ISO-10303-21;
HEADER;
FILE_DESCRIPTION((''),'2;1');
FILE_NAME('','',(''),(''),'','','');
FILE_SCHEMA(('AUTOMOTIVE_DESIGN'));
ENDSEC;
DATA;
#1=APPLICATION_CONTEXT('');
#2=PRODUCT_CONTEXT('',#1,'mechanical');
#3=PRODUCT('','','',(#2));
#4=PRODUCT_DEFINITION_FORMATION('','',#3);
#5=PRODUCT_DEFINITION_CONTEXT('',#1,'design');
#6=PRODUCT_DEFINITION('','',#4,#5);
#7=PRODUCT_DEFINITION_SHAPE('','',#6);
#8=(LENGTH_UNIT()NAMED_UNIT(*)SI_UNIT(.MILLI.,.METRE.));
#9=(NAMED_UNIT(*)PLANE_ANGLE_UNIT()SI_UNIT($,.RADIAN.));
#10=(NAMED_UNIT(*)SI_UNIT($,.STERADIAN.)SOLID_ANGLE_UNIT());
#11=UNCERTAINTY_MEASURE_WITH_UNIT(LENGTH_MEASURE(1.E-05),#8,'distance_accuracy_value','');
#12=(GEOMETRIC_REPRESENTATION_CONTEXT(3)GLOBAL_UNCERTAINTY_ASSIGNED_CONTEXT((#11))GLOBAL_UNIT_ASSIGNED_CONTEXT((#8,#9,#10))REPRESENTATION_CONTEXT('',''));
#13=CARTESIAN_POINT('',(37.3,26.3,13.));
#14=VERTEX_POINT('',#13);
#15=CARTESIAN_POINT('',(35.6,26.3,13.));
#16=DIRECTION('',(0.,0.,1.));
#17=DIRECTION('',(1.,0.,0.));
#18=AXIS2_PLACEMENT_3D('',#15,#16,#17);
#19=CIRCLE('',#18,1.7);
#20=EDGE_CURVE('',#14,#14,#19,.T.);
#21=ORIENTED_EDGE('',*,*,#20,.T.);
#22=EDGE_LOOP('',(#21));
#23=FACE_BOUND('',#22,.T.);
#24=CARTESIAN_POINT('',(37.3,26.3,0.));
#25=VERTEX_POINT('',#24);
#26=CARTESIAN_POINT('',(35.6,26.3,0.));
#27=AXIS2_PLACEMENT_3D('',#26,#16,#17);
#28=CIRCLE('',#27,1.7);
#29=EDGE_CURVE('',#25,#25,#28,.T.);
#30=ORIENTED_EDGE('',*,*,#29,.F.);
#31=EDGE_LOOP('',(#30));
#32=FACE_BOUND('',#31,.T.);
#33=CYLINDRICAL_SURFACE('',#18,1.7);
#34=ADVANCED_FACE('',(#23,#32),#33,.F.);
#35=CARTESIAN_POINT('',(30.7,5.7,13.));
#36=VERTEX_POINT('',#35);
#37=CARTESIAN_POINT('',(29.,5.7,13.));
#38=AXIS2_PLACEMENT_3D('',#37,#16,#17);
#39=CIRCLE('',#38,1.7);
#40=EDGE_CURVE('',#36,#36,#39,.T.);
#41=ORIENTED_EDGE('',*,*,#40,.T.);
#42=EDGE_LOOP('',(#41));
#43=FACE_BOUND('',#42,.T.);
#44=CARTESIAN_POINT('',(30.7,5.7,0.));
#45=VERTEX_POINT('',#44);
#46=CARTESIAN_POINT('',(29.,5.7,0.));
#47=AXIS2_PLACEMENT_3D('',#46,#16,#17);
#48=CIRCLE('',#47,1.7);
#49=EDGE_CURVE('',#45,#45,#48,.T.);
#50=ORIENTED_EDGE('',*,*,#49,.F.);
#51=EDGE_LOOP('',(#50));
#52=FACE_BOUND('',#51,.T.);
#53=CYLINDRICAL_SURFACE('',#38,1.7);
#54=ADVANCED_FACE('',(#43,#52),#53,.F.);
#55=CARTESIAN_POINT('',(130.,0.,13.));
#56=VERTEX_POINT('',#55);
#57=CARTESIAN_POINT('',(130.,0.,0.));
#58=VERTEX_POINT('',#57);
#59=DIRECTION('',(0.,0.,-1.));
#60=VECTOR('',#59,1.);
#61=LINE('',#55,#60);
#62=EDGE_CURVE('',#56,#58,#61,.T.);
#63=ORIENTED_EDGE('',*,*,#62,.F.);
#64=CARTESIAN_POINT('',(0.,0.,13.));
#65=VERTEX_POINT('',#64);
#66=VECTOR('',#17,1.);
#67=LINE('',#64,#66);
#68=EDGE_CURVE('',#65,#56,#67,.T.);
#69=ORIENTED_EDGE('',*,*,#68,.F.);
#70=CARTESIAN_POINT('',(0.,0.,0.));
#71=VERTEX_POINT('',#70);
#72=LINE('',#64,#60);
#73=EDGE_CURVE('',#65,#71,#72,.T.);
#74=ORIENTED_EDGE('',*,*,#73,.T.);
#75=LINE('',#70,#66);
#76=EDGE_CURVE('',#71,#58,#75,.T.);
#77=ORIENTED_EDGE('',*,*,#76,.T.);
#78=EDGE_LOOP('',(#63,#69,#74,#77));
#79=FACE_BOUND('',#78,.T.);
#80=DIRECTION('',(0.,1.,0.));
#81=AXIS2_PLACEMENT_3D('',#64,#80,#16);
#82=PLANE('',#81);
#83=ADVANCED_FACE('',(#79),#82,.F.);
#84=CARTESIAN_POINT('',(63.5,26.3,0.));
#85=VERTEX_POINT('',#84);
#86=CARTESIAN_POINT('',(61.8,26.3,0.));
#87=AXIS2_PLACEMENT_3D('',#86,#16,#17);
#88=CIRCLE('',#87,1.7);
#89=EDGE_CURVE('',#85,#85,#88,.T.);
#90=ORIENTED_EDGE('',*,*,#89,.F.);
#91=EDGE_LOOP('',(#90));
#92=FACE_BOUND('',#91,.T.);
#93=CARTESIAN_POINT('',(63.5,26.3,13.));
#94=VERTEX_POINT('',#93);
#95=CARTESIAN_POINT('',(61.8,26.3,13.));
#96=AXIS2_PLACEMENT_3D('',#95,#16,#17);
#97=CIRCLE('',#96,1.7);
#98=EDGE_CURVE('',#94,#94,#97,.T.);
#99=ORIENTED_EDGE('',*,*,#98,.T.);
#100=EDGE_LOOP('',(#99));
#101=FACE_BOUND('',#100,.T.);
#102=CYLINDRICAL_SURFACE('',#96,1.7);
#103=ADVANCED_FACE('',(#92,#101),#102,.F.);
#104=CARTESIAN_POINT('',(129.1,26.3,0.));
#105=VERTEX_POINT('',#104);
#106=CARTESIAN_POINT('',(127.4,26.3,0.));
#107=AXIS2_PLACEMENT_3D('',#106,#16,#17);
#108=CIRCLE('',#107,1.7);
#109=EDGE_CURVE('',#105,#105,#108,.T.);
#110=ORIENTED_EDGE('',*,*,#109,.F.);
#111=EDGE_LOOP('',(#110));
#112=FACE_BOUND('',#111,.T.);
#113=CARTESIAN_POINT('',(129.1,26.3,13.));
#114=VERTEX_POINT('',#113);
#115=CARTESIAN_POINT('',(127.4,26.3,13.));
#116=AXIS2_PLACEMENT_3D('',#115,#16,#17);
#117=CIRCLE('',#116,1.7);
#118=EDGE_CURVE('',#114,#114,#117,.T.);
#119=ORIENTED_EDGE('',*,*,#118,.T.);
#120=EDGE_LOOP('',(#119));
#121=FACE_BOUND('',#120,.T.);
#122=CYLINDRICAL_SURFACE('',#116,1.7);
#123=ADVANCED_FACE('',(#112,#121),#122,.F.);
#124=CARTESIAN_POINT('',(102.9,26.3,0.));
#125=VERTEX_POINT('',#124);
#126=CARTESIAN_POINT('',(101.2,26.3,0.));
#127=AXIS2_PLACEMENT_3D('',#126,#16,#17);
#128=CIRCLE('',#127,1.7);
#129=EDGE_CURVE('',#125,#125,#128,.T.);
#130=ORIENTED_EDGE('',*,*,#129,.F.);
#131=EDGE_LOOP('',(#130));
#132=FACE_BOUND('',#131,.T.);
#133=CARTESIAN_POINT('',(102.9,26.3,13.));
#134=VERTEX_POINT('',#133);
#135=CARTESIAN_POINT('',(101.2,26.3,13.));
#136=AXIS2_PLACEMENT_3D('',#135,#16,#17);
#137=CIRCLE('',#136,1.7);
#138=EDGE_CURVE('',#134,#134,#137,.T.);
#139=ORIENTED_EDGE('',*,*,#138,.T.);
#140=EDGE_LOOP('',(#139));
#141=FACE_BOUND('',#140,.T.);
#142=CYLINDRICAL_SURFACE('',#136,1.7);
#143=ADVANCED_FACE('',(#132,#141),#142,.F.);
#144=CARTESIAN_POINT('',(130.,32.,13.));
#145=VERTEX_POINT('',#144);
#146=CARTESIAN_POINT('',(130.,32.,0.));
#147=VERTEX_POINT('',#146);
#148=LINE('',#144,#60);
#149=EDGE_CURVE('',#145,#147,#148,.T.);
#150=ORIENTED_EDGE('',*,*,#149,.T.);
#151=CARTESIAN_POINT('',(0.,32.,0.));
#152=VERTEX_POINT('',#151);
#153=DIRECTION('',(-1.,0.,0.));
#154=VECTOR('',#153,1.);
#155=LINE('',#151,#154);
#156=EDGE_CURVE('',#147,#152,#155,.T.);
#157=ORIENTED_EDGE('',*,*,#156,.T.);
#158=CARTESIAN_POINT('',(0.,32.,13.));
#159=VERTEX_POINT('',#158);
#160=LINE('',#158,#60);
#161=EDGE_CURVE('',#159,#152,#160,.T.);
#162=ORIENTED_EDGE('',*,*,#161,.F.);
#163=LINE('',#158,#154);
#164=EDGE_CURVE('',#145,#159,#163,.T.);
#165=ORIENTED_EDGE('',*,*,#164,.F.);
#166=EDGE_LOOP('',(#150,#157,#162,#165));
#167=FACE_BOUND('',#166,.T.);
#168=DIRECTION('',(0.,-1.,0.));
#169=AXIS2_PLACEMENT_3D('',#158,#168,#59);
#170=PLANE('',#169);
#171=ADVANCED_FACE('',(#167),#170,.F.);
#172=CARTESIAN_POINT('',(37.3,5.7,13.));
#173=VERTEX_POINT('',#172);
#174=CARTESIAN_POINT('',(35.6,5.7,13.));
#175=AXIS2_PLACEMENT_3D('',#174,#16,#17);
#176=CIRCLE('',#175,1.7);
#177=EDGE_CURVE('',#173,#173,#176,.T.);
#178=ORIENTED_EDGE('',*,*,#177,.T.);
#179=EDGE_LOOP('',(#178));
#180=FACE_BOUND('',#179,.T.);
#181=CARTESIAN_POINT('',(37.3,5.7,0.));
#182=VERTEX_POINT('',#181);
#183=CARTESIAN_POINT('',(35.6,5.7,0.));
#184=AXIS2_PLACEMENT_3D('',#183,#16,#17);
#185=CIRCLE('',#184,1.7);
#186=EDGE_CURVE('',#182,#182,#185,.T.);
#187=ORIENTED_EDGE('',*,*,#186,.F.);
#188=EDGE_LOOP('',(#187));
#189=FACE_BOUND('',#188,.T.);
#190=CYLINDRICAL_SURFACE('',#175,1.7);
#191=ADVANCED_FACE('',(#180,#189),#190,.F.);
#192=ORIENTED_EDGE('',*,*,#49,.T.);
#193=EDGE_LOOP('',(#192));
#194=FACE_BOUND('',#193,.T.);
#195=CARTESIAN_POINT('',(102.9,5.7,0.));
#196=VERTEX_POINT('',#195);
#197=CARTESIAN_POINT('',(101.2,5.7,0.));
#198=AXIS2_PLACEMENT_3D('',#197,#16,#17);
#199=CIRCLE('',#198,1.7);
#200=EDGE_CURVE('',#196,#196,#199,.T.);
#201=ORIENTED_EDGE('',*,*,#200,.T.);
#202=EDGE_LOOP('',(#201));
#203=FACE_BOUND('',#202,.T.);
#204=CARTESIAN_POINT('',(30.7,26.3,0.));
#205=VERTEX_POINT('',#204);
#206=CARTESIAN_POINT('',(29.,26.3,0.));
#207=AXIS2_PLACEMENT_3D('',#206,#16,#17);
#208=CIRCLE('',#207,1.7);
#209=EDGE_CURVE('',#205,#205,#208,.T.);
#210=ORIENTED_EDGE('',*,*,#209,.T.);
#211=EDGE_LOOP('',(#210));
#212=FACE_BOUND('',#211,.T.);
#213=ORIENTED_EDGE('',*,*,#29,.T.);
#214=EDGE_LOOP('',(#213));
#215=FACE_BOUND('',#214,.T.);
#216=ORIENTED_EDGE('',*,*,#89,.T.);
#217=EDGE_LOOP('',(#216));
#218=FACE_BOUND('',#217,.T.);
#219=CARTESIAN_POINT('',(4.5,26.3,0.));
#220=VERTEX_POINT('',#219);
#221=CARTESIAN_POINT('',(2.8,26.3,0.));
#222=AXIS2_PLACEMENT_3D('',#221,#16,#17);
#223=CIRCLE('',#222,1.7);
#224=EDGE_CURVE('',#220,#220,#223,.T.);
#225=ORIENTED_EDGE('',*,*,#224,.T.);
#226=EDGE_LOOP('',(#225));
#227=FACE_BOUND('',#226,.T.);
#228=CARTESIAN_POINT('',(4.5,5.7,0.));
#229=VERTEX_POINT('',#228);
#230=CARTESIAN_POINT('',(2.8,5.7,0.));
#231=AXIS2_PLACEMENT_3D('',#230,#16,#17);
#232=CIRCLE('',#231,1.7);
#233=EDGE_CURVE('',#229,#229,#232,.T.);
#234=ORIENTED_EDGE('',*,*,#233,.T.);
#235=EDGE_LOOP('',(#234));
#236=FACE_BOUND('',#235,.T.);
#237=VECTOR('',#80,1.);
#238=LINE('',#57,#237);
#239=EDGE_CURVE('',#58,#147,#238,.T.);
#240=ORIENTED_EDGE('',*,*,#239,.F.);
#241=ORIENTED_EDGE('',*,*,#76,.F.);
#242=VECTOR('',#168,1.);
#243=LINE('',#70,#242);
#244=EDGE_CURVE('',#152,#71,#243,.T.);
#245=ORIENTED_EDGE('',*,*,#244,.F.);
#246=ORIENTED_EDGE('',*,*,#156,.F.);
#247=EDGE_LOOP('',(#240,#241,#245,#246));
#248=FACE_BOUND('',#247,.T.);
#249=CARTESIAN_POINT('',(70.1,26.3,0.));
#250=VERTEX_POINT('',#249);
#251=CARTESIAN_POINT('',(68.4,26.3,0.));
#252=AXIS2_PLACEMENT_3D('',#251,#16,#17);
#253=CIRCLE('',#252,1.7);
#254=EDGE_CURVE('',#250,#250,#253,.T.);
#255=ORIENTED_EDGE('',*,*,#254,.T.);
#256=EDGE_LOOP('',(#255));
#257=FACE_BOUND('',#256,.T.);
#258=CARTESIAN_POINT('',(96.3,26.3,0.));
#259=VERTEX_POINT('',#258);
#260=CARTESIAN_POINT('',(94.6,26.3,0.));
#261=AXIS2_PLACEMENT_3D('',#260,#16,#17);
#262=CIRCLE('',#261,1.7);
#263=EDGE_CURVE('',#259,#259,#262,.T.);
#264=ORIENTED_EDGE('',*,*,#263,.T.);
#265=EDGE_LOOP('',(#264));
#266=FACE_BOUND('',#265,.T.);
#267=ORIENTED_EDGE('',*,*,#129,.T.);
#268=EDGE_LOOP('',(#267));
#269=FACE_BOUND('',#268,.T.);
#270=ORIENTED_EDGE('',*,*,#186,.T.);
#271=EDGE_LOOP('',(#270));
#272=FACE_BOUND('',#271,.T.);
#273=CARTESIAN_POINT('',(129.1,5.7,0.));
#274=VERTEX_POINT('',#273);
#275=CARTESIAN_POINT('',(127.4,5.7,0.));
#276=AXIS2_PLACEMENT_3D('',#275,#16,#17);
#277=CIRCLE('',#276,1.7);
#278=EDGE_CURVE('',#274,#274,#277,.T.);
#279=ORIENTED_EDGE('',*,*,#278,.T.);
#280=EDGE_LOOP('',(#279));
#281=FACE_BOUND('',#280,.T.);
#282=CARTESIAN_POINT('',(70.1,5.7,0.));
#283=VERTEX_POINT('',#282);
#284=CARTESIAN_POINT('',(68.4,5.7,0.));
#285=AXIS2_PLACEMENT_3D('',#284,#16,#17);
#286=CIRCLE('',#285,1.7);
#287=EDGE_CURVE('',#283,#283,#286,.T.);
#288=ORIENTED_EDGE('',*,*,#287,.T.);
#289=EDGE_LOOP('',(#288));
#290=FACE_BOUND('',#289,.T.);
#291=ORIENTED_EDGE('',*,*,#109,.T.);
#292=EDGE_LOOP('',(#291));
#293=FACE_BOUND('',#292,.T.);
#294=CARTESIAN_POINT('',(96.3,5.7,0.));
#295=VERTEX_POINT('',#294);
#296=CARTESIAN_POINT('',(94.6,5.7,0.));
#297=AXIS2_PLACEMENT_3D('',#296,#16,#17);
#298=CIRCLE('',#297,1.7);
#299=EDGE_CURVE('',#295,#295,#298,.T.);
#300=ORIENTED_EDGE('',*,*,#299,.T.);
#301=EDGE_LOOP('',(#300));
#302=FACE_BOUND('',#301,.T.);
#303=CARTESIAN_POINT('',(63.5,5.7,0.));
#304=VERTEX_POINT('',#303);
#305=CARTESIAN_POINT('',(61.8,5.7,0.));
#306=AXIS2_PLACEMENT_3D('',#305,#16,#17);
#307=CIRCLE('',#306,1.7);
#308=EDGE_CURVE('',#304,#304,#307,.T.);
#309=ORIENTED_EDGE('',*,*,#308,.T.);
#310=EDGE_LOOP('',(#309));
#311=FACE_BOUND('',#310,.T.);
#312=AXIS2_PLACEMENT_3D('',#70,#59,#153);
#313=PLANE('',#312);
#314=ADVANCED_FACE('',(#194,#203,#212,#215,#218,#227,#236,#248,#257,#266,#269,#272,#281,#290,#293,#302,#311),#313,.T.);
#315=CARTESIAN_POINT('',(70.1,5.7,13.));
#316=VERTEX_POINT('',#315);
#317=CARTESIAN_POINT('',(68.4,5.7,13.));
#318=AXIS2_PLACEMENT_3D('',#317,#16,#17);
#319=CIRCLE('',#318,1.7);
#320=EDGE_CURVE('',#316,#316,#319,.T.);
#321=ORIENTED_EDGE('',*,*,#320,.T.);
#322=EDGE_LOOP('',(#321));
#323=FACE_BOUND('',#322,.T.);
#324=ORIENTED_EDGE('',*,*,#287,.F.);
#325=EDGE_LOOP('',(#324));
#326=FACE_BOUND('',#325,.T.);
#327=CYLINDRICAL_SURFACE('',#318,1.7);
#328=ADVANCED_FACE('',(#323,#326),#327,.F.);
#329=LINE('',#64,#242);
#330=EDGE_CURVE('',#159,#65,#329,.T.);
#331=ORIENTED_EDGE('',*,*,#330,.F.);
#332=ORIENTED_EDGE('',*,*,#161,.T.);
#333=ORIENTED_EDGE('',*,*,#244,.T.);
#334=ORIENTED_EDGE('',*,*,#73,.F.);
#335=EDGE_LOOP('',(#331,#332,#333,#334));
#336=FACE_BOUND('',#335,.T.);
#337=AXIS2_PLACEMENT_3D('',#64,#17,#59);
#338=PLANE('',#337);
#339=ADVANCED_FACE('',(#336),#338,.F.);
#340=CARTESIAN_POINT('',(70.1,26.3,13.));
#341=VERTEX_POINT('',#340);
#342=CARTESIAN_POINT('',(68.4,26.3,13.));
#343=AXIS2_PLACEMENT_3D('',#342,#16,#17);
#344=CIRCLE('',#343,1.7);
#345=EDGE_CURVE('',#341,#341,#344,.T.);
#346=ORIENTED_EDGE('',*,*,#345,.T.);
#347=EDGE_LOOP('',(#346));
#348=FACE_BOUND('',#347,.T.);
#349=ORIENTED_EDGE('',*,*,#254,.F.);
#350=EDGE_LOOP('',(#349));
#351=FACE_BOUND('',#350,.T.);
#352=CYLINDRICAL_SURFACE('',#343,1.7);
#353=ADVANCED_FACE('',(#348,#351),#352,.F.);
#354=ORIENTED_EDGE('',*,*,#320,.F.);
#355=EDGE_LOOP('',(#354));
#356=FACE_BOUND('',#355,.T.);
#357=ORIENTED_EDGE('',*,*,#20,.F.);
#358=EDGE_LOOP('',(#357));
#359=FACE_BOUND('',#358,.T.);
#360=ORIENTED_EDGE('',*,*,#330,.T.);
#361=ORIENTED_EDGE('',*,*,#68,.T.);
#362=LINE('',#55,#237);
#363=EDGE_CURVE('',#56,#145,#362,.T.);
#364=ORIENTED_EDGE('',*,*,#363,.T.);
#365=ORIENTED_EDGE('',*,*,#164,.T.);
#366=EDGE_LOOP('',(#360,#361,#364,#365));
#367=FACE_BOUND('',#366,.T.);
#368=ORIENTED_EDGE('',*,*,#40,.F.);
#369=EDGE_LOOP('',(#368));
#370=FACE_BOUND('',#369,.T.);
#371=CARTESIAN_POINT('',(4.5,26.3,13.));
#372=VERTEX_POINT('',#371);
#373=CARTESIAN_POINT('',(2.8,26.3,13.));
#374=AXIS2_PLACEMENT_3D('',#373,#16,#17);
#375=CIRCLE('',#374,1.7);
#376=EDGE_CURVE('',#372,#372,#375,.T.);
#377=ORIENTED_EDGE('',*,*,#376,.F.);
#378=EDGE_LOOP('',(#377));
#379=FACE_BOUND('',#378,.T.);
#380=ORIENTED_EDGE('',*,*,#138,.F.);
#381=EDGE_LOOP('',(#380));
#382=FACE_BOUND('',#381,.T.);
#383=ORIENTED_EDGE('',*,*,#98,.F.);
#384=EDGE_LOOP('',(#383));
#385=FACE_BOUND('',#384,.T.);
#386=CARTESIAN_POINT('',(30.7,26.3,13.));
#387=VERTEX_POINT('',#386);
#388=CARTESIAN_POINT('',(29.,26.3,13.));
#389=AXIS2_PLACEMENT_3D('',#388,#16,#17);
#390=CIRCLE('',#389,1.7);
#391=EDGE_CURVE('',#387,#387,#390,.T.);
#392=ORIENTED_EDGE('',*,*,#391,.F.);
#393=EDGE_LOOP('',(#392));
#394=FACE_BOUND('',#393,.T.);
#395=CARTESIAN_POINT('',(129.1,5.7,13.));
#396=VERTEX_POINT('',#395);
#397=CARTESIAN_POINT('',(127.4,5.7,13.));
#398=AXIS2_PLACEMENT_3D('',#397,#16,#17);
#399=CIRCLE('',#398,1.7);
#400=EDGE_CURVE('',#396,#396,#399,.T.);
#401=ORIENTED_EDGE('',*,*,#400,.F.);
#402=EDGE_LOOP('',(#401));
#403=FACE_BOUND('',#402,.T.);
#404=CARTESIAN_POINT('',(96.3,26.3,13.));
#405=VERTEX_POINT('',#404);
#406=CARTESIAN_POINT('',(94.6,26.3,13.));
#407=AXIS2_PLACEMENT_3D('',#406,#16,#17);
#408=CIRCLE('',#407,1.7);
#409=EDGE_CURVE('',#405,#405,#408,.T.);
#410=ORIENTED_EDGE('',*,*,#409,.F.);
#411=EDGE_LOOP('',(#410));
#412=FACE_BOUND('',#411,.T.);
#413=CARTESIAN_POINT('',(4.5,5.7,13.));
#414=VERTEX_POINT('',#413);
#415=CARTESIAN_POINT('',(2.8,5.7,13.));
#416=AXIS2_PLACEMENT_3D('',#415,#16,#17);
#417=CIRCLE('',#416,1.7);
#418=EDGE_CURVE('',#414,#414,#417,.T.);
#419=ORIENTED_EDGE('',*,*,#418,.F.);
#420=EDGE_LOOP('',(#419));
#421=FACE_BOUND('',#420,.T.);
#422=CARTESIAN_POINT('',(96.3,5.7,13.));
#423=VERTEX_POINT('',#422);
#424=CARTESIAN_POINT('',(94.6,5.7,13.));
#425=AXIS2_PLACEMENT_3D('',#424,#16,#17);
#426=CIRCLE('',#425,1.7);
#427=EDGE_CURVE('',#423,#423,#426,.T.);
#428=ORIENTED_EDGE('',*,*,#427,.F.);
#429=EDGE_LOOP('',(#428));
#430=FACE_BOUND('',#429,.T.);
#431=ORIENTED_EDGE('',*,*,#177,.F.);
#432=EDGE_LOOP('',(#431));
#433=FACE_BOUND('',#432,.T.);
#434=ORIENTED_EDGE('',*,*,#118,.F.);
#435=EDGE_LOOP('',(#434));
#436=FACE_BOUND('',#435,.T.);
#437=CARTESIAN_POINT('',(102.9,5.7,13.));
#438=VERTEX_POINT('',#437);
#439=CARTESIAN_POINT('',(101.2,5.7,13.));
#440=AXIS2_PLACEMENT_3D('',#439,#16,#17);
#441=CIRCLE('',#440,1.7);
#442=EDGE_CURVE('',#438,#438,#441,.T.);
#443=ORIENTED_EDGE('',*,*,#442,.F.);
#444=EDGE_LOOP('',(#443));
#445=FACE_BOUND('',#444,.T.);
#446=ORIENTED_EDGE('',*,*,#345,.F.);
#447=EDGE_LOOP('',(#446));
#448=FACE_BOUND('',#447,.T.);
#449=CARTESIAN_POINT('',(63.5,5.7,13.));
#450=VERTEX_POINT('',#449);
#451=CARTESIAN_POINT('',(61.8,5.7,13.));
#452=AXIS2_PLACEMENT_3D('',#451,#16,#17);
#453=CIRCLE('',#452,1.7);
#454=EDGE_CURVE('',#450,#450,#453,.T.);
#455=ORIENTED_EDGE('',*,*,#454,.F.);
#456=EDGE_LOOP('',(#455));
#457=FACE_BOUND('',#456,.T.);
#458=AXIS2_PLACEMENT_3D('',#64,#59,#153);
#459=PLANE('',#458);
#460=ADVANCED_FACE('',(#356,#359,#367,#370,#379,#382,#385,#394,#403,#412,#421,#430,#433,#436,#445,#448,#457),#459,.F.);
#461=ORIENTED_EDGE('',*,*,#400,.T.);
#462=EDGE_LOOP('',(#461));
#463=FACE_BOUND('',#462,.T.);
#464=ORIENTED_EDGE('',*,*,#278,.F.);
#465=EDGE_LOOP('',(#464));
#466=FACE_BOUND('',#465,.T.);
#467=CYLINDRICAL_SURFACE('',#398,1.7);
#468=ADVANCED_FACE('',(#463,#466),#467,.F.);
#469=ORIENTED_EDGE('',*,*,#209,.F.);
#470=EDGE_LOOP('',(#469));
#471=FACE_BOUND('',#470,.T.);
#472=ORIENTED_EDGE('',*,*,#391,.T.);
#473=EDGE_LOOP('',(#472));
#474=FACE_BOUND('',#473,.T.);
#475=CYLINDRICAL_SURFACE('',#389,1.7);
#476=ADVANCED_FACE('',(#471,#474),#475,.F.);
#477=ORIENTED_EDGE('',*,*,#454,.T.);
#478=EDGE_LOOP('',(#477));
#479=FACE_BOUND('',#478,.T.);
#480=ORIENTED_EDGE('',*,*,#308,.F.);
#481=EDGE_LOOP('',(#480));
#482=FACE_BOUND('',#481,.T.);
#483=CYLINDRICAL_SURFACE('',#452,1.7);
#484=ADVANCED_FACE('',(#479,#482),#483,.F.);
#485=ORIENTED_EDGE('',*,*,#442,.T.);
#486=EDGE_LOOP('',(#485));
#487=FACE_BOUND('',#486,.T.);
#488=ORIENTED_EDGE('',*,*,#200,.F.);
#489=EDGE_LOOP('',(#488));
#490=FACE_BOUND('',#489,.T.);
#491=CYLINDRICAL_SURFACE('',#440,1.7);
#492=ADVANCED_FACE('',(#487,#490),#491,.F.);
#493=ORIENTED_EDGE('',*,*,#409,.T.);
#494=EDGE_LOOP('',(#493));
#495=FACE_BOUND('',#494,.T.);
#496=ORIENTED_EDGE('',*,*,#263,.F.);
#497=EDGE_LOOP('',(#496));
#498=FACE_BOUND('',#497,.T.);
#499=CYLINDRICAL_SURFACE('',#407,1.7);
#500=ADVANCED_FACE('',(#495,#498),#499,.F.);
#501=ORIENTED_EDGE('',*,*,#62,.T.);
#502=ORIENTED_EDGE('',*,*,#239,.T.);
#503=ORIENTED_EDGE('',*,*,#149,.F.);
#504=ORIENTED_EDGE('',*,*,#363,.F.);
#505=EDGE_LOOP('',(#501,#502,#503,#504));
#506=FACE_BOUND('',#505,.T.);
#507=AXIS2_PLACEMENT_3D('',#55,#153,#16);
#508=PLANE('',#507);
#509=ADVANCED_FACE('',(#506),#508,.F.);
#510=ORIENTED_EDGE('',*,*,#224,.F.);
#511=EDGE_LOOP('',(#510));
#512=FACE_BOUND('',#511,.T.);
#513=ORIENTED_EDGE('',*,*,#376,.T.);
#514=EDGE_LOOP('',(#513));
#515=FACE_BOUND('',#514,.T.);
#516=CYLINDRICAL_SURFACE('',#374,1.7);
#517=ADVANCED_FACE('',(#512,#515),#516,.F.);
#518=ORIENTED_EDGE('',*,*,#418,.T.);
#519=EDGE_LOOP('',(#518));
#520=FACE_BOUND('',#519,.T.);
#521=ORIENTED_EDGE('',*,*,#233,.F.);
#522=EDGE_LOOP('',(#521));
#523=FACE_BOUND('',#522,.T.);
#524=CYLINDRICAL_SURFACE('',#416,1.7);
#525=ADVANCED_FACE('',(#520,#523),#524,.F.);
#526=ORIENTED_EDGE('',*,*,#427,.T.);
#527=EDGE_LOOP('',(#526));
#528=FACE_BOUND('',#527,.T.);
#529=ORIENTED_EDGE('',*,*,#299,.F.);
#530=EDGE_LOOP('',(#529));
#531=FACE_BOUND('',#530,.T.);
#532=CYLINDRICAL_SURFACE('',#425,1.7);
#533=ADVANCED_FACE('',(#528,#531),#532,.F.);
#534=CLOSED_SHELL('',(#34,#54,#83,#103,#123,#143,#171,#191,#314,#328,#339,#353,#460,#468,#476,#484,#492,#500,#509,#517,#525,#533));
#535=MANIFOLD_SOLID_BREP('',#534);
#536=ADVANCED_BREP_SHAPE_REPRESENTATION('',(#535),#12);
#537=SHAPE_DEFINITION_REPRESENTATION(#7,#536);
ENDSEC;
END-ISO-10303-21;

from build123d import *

# Parameters (mm, degrees)
ESQUISSE1_W                = 130
ESQUISSE1_H                = 32
ESQUISSE1_R                = 1.5
BOSS_EXTRU_1_DEPTH         = 13
D_GAGEMENT_M31_D           = 3.4
D_GAGEMENT_M31_DEPTH       = 13
R_P_TITION_LIN_AIRE1_COUNT = 4
R_P_TITION_LIN_AIRE1_PITCH = 32.8


with BuildPart() as part:
    # Esquisse1 → Boss.-Extru.1 (new body)
    with BuildSketch(Plane.XY):
        with Locations((65, 16)):
            Rectangle(ESQUISSE1_W, ESQUISSE1_H)
        with Locations(Location((2.8, 26.3, 0), (0, 0, 180))):
            Circle(ESQUISSE1_R, mode=Mode.SUBTRACT)
        with Locations(Location((29, 26.3, 0), (0, 0, 180))):
            Circle(ESQUISSE1_R, mode=Mode.SUBTRACT)
        with Locations(Location((2.8, 5.7, 0), (0, 0, 180))):
            Circle(ESQUISSE1_R, mode=Mode.SUBTRACT)
        with Locations(Location((29, 5.7, 0), (0, 0, 180))):
            Circle(ESQUISSE1_R, mode=Mode.SUBTRACT)
    extrude(amount=BOSS_EXTRU_1_DEPTH)

    # Dégagement M31
    with Locations(Plane.XY.offset(13)):
        with Locations((2.8, 26.3), (29, 26.3), (2.8, 5.7), (29, 5.7)):
            d_gagement_m31 = Hole(D_GAGEMENT_M31_D / 2, depth=D_GAGEMENT_M31_DEPTH)

    # Répétition linéaire1: Dégagement M31 ×4
    with Locations(*[(i * R_P_TITION_LIN_AIRE1_PITCH, 0, 0) for i in range(1, R_P_TITION_LIN_AIRE1_COUNT)]):
        add(d_gagement_m31, mode=Mode.SUBTRACT)


solid = part.part
